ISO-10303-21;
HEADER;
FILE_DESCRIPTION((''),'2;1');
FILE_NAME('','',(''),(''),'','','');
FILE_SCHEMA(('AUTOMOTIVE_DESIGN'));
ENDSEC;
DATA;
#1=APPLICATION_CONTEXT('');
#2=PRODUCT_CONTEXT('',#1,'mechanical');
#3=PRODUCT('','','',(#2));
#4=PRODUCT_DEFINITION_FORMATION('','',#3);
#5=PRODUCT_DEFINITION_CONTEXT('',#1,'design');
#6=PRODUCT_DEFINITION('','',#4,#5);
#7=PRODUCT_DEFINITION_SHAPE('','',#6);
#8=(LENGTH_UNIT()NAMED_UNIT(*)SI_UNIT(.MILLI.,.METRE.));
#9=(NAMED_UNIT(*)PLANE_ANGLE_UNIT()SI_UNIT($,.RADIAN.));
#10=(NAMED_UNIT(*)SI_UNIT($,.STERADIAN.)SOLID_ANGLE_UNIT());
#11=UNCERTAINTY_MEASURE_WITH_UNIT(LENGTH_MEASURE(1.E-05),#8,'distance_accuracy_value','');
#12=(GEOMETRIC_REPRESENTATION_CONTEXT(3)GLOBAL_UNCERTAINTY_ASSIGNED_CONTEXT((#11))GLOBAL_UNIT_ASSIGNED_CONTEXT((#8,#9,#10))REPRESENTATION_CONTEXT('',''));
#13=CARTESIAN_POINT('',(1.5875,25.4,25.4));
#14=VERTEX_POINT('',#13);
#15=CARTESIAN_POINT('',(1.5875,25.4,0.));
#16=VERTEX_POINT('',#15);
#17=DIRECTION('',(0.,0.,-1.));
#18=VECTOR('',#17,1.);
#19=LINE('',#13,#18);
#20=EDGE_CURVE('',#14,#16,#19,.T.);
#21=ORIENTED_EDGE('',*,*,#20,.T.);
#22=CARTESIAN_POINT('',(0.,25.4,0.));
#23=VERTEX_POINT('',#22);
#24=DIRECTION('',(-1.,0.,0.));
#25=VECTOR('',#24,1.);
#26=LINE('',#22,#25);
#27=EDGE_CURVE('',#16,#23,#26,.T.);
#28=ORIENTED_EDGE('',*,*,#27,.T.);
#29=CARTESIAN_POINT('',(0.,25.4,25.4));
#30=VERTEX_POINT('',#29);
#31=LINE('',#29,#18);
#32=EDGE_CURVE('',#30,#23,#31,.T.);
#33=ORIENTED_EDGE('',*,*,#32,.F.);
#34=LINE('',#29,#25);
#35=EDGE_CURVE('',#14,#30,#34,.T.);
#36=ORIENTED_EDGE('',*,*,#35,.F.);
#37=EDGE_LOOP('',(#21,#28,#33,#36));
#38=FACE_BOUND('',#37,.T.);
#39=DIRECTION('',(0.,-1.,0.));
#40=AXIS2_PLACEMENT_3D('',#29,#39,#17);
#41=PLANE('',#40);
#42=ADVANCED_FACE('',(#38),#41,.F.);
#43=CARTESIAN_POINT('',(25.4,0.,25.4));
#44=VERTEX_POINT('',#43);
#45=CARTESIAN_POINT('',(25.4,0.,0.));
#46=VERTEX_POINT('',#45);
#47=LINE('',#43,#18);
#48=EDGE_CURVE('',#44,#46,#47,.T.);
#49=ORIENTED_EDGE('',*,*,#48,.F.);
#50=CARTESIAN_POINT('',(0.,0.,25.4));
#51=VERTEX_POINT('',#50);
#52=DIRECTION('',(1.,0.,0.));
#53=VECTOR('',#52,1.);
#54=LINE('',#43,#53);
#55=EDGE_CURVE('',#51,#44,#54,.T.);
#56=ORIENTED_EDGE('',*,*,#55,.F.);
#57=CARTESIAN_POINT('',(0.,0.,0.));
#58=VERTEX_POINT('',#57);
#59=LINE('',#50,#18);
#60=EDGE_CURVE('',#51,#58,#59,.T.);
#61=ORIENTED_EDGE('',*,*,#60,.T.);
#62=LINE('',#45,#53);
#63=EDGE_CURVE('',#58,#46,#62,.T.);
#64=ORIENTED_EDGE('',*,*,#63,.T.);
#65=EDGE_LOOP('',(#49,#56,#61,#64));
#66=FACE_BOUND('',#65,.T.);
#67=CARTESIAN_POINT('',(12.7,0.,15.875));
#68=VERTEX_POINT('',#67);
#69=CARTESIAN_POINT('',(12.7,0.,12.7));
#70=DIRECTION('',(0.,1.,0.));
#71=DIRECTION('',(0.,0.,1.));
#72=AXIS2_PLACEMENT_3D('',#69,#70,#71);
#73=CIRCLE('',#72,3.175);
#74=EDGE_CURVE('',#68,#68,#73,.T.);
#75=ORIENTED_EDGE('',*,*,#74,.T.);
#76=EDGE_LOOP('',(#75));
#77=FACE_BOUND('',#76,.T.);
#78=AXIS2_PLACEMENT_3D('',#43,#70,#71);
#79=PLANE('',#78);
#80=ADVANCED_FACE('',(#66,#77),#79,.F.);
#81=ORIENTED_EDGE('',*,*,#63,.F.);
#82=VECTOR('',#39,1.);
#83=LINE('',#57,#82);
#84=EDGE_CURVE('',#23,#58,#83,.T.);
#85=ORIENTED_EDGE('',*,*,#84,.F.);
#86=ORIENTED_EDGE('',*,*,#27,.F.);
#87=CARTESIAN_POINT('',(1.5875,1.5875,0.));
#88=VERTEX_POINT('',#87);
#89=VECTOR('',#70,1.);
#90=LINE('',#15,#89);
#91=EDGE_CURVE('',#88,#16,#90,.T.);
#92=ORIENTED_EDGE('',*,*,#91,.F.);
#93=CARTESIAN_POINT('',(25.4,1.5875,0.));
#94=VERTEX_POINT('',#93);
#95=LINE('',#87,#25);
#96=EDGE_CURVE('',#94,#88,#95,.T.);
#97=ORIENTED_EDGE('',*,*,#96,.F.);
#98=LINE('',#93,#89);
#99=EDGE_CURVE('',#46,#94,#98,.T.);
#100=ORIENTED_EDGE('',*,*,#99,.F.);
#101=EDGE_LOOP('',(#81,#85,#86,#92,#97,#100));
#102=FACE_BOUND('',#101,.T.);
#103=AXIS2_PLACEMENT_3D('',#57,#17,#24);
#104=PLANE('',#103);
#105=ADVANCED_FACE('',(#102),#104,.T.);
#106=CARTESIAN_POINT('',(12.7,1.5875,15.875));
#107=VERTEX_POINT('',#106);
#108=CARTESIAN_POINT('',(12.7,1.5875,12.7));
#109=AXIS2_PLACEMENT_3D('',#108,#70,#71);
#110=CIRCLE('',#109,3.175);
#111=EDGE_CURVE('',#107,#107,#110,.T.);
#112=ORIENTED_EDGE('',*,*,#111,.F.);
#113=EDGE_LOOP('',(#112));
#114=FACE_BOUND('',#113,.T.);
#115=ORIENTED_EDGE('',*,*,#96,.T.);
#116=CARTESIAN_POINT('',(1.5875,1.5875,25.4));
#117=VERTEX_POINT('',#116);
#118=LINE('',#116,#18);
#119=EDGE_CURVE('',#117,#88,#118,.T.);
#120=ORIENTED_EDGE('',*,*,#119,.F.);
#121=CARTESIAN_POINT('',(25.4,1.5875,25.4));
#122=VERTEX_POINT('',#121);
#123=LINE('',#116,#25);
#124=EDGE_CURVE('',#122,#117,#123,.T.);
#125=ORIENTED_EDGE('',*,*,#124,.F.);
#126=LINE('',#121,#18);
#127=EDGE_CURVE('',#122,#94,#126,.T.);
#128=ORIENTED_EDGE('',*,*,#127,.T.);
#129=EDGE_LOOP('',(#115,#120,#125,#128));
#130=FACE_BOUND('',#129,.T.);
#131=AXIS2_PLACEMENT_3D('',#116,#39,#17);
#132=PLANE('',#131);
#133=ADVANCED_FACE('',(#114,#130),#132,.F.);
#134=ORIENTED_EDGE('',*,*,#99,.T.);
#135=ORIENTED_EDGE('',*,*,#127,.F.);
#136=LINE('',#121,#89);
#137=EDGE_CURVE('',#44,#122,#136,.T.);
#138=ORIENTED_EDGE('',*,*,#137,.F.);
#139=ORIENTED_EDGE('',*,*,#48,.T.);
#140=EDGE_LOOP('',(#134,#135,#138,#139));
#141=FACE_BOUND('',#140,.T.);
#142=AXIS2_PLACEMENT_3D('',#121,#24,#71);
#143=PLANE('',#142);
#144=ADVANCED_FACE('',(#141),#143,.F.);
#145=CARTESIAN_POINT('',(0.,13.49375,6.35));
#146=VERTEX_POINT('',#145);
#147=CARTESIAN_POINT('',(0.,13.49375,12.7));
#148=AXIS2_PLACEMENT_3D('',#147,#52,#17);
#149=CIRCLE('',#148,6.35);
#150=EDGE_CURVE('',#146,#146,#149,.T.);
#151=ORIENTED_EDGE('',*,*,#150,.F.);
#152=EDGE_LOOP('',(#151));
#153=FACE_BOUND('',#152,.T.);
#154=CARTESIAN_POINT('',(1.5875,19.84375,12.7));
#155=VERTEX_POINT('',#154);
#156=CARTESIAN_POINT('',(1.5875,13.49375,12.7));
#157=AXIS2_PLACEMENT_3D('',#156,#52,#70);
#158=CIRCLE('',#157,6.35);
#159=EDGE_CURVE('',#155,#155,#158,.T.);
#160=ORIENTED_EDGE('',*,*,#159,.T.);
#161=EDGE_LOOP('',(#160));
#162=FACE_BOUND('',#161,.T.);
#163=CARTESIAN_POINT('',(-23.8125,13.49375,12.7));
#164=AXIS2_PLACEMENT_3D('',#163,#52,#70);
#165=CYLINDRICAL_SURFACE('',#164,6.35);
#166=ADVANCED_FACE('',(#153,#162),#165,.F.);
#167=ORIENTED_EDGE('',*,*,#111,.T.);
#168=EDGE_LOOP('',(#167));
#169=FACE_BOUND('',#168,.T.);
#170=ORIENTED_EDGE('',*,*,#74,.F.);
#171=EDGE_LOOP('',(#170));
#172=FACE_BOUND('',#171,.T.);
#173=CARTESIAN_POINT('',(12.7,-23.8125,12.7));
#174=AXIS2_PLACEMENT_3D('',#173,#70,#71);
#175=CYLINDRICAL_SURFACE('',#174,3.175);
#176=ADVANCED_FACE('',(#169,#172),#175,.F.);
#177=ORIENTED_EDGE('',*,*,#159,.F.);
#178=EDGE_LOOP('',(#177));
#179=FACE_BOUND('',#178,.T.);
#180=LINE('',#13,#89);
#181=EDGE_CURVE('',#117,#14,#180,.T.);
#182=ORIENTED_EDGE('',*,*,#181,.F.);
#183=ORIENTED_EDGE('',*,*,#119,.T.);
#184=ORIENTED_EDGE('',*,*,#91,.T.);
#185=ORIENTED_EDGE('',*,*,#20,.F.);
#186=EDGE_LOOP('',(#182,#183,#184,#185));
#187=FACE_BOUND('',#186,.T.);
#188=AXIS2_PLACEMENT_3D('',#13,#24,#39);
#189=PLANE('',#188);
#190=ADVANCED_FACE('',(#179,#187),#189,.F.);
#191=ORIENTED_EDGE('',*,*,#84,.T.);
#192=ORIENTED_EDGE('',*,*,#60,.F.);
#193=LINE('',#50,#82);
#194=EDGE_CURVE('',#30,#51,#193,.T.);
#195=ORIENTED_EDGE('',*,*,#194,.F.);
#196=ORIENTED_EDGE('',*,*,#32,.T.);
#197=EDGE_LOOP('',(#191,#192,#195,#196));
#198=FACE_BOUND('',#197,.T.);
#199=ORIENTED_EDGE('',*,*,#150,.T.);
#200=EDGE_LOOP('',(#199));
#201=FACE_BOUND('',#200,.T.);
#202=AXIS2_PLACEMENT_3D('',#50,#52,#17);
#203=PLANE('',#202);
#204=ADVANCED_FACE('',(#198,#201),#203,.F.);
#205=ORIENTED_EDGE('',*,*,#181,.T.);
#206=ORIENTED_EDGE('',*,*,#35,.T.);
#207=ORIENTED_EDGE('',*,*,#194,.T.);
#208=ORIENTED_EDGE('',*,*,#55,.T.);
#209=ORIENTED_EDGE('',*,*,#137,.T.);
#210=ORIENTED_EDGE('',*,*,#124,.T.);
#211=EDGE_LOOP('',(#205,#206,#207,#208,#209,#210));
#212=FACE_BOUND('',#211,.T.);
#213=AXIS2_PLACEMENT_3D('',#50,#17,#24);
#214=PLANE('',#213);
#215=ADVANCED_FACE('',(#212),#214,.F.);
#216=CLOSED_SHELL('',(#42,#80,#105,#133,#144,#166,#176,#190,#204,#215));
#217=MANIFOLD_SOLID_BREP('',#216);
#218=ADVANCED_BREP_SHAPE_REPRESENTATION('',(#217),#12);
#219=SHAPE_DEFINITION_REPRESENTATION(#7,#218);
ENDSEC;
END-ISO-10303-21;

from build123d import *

# Parameters (mm, degrees)
BOSS_EXTRUDE1_DEPTH = 25.4
SKETCH2_R           = 3.175
CUT_EXTRUDE1_DEPTH  = 25.4
SKETCH3_R           = 6.35
CUT_EXTRUDE2_DEPTH  = 25.4


with BuildPart() as part:
    # Sketch1 → Boss-Extrude1 (new body)
    with BuildSketch(Plane.XY):
        Polygon((0, 0), (0, 25.4), (1.5875, 25.4), (1.5875, 1.5875), (25.4, 1.5875), (25.4, 0), align=None)
    extrude(amount=BOSS_EXTRUDE1_DEPTH)

    # Sketch2 → Cut-Extrude1 (cut)
    with BuildSketch(Plane(origin=(0, 1.5875, 0), x_dir=(1, 0, 0), z_dir=(0, 1, 0))):
        with Locations((12.7, -12.7)):
            Circle(SKETCH2_R)
    extrude(amount=-CUT_EXTRUDE1_DEPTH, mode=Mode.SUBTRACT)

    # Sketch3 → Cut-Extrude2 (cut)
    with BuildSketch(Plane(origin=(1.5875, 0, 0), x_dir=(0, 0, -1), z_dir=(1, 0, 0))):
        with Locations((-12.7, 13.49375)):
            Circle(SKETCH3_R)
    extrude(amount=-CUT_EXTRUDE2_DEPTH, mode=Mode.SUBTRACT)


solid = part.part
